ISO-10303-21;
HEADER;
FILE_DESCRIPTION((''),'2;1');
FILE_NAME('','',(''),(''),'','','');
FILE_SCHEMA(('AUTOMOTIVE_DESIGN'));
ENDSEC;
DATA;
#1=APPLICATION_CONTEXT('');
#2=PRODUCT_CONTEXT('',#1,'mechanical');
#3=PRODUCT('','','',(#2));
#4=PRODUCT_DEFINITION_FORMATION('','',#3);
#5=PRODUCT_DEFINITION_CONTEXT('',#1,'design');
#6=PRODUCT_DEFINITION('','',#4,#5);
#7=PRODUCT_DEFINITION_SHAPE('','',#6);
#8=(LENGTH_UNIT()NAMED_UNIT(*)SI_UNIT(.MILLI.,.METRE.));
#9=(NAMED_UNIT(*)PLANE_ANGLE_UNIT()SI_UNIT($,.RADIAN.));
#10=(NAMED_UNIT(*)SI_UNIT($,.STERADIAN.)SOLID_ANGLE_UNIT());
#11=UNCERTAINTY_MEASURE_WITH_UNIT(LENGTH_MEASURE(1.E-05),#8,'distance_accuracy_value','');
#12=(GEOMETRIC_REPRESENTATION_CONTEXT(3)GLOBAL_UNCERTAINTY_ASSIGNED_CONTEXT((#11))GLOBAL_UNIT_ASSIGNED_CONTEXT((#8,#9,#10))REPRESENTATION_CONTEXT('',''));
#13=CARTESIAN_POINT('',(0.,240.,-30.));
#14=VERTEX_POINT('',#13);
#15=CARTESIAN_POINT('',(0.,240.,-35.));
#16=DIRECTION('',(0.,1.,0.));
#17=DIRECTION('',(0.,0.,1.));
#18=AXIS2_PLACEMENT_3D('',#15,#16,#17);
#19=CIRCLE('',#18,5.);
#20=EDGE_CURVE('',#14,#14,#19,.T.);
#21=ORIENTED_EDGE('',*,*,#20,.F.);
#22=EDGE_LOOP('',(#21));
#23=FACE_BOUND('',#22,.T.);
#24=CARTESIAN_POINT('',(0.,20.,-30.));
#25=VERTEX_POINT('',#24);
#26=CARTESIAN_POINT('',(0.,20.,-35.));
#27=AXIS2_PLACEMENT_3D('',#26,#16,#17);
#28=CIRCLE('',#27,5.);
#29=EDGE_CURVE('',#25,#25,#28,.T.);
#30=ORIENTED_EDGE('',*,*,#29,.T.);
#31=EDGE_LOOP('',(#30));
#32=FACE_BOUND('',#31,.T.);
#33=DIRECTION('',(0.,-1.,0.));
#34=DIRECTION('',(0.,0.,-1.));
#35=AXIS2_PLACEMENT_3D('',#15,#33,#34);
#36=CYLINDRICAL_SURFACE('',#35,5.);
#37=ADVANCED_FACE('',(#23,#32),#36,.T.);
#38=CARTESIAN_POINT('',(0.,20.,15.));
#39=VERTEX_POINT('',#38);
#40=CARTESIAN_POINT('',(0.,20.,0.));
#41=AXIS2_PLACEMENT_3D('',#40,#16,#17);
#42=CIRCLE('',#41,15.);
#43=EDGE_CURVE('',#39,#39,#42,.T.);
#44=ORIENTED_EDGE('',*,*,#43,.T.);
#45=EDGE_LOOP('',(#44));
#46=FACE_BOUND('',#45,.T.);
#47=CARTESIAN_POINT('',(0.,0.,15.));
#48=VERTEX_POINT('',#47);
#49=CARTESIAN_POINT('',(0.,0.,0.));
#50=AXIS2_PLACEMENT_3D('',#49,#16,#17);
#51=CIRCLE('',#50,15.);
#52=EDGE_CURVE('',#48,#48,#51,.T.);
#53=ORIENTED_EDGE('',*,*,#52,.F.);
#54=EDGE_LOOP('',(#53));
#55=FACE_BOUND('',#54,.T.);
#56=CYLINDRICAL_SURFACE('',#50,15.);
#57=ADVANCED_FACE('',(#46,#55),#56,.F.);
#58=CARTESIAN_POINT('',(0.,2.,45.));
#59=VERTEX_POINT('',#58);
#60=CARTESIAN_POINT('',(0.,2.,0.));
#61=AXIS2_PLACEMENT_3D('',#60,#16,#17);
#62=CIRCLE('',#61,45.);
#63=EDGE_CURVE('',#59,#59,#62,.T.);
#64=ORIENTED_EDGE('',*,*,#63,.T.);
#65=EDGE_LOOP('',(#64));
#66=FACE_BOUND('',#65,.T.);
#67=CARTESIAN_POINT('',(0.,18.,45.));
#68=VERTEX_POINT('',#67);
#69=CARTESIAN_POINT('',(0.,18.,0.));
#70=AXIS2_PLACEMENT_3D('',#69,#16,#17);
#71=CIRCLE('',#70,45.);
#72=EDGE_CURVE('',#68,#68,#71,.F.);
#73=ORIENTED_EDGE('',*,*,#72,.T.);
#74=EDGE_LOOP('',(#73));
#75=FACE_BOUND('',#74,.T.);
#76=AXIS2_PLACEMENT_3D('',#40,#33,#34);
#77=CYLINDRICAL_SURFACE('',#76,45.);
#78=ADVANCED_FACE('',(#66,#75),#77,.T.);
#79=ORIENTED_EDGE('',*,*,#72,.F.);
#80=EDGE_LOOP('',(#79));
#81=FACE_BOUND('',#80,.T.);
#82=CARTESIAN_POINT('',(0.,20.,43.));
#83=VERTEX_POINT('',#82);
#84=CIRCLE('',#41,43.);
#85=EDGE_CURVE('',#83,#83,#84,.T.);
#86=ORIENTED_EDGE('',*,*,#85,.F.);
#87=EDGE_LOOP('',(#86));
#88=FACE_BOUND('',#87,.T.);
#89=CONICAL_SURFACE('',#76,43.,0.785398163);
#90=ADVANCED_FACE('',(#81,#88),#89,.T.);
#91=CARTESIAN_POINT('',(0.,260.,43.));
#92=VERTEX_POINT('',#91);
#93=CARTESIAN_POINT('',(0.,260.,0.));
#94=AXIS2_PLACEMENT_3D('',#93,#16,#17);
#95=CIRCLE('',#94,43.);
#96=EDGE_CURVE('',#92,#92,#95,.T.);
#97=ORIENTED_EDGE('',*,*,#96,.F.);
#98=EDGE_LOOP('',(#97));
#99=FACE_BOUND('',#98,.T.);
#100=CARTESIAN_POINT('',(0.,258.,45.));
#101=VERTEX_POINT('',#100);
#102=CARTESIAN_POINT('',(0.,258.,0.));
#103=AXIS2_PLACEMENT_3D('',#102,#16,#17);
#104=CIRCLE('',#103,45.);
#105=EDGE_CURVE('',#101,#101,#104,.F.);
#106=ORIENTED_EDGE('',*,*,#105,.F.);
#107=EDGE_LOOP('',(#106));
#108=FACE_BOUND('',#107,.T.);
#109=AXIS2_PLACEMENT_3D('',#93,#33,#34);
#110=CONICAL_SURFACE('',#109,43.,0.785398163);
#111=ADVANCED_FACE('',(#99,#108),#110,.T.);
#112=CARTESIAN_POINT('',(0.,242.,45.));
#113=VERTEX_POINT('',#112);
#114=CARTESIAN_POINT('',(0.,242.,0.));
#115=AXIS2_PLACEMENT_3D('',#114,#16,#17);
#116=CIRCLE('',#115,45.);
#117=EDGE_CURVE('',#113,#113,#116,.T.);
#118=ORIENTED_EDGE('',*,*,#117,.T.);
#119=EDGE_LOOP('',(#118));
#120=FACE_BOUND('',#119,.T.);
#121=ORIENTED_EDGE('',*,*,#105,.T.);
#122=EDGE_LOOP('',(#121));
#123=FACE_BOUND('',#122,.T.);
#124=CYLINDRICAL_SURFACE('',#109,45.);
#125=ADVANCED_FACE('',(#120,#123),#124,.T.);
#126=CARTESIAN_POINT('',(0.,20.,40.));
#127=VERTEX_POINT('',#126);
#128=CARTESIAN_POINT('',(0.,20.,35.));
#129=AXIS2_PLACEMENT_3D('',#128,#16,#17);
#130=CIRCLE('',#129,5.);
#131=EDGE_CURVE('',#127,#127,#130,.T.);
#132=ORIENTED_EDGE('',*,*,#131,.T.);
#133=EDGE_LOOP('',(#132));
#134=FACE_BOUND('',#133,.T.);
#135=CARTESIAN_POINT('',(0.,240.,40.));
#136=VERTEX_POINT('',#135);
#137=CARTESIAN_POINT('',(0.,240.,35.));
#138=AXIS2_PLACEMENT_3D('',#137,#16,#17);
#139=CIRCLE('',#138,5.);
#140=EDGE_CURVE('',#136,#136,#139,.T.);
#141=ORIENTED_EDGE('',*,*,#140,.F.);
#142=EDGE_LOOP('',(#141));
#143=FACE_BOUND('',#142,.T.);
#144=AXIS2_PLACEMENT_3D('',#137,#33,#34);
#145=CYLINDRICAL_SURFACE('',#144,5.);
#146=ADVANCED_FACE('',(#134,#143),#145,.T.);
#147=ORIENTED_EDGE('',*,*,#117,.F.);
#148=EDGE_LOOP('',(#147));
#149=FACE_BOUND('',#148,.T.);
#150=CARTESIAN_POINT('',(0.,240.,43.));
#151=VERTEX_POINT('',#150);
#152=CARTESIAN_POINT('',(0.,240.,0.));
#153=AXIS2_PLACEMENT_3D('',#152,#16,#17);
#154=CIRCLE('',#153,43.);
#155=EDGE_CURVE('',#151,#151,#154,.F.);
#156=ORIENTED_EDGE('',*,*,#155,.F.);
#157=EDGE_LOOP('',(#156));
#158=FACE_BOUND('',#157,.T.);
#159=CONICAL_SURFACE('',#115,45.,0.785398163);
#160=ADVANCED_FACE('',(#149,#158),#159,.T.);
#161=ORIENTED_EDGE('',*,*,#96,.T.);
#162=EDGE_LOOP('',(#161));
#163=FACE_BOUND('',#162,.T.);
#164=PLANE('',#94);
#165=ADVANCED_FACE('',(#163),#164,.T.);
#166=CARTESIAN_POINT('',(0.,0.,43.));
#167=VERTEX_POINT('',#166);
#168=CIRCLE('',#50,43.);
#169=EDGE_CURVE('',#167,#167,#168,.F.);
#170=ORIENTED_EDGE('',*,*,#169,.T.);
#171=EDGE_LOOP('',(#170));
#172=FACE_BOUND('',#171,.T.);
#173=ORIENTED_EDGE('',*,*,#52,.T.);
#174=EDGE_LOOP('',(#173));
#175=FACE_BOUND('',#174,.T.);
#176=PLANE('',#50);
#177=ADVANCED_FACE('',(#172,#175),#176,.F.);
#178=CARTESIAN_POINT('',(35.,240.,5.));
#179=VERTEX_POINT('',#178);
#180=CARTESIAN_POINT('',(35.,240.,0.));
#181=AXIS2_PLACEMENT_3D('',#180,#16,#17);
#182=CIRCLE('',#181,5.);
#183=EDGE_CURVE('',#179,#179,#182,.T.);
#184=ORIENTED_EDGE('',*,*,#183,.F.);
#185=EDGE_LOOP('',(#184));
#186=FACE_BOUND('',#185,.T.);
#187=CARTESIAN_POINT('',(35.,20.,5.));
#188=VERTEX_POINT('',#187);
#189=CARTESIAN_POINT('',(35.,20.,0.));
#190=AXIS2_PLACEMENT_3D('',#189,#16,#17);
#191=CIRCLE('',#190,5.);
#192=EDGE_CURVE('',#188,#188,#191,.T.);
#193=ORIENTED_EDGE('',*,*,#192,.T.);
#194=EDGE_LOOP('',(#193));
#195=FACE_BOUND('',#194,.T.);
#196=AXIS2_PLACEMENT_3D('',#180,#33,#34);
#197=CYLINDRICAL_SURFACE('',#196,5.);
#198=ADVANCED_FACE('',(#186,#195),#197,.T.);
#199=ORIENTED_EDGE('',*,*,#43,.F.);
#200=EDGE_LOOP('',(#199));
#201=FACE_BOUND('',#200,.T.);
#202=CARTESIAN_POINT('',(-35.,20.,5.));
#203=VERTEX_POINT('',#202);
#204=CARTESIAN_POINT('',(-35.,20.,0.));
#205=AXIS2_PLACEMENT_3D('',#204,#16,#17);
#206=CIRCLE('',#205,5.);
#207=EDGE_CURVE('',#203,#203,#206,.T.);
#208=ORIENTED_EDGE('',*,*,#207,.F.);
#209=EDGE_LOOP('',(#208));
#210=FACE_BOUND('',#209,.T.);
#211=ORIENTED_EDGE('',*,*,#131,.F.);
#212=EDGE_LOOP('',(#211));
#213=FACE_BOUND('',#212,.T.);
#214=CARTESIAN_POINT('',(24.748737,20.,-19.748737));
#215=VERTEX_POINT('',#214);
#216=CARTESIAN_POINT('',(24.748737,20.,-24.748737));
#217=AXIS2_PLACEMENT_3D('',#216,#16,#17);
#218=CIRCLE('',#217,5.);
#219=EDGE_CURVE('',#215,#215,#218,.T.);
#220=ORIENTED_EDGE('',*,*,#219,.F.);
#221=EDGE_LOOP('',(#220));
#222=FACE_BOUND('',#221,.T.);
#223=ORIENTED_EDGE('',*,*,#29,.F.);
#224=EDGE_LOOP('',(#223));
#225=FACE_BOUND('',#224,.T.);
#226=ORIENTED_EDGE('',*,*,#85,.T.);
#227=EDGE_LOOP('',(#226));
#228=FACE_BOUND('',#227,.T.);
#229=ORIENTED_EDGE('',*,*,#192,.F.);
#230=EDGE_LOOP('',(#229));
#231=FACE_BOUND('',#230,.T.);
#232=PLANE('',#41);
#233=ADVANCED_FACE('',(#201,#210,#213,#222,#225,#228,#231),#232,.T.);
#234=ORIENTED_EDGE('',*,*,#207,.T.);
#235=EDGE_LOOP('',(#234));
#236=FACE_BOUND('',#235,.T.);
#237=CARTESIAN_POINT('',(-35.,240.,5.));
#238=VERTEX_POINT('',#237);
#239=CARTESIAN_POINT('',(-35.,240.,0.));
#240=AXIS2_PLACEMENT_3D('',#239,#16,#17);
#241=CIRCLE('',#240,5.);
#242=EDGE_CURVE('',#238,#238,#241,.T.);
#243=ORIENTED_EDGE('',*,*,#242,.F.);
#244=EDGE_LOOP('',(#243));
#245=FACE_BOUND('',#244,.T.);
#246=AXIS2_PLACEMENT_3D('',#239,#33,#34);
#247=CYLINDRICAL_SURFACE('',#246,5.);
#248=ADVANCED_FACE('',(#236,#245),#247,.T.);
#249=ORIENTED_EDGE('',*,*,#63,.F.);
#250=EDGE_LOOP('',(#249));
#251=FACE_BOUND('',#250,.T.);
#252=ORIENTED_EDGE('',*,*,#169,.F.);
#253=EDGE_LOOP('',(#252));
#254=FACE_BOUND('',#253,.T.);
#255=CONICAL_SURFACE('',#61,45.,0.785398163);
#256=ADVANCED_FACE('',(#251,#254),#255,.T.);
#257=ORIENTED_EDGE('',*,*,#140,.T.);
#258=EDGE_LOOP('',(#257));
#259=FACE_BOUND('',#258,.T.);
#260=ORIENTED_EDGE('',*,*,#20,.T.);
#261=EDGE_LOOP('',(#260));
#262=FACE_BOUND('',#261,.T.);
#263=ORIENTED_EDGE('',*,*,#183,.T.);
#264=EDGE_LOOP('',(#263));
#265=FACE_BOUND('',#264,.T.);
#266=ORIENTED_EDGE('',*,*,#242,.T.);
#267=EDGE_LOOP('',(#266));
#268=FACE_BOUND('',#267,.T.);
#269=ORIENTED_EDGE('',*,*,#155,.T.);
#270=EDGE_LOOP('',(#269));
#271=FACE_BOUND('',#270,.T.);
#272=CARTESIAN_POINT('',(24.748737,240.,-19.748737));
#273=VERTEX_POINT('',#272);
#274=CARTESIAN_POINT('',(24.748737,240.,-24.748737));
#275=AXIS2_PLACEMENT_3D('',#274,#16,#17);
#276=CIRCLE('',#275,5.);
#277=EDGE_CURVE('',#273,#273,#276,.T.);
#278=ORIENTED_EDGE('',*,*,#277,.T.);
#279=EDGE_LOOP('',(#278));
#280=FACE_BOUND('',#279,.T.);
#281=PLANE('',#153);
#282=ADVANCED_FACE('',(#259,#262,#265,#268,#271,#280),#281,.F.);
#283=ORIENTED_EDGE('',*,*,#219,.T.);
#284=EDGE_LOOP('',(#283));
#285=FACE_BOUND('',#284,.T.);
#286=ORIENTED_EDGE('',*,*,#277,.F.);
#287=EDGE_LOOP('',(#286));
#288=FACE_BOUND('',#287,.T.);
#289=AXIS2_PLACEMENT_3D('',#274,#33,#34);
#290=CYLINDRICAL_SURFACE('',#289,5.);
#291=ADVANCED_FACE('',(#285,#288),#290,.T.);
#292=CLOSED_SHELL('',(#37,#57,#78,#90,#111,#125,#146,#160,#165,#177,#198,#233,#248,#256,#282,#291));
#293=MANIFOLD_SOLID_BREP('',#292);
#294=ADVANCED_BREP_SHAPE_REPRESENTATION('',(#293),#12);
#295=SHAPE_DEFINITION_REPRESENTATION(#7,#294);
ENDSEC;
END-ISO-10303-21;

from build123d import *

# Parameters (mm, degrees)
SKETCH1_R           = 45
BOSS_EXTRUDE1_DEPTH = 20
SKETCH2_R           = 15
CUT_EXTRUDE1_DEPTH  = 21
SKETCH3_R           = 5
BOSS_EXTRUDE2_DEPTH = 220
SKETCH4_R           = 45
BOSS_EXTRUDE3_DEPTH = 20
CHAMFER1_SIZE       = 2


with BuildPart() as part:
    # Sketch1 → Boss-Extrude1 (new body)
    with BuildSketch(Plane(origin=(0, 0, 0), x_dir=(1, 0, 0), z_dir=(0, 1, 0))):
        Circle(SKETCH1_R)
    extrude(amount=BOSS_EXTRUDE1_DEPTH)

    # Sketch2 → Cut-Extrude1 (cut, through all)
    with BuildSketch(Plane(origin=(0, 20, 0), x_dir=(1, 0, 0), z_dir=(0, 1, 0))):
        Circle(SKETCH2_R)
    extrude(amount=-CUT_EXTRUDE1_DEPTH, mode=Mode.SUBTRACT)

    # Sketch3 → Boss-Extrude2 (add)
    with BuildSketch(Plane(origin=(0, 20, 0), x_dir=(1, 0, 0), z_dir=(0, 1, 0))):
        with Locations((35, 0)):
            Circle(SKETCH3_R)
        with Locations((0, -35)):
            Circle(SKETCH3_R)
        with Locations((-35, 0)):
            Circle(SKETCH3_R)
        with Locations((0, 35)):
            Circle(SKETCH3_R)
        with Locations((24.748737342, 24.748737342)):
            Circle(SKETCH3_R)
    extrude(amount=BOSS_EXTRUDE2_DEPTH)

    # Sketch4 → Boss-Extrude3 (add)
    with BuildSketch(Plane(origin=(0, 240, 0), x_dir=(1, 0, 0), z_dir=(0, 1, 0))):
        Circle(SKETCH4_R)
    extrude(amount=BOSS_EXTRUDE3_DEPTH)

    # Chamfer1
    chamfer1_edges = [part.edges().sort_by_distance(p)[0] for p in [
        (-45, 0, 0),
        (-45, 240, 0),
        (-45, 260, 0),
        (-45, 20, 0),
    ]]
    chamfer(chamfer1_edges, length=CHAMFER1_SIZE)


solid = part.part
